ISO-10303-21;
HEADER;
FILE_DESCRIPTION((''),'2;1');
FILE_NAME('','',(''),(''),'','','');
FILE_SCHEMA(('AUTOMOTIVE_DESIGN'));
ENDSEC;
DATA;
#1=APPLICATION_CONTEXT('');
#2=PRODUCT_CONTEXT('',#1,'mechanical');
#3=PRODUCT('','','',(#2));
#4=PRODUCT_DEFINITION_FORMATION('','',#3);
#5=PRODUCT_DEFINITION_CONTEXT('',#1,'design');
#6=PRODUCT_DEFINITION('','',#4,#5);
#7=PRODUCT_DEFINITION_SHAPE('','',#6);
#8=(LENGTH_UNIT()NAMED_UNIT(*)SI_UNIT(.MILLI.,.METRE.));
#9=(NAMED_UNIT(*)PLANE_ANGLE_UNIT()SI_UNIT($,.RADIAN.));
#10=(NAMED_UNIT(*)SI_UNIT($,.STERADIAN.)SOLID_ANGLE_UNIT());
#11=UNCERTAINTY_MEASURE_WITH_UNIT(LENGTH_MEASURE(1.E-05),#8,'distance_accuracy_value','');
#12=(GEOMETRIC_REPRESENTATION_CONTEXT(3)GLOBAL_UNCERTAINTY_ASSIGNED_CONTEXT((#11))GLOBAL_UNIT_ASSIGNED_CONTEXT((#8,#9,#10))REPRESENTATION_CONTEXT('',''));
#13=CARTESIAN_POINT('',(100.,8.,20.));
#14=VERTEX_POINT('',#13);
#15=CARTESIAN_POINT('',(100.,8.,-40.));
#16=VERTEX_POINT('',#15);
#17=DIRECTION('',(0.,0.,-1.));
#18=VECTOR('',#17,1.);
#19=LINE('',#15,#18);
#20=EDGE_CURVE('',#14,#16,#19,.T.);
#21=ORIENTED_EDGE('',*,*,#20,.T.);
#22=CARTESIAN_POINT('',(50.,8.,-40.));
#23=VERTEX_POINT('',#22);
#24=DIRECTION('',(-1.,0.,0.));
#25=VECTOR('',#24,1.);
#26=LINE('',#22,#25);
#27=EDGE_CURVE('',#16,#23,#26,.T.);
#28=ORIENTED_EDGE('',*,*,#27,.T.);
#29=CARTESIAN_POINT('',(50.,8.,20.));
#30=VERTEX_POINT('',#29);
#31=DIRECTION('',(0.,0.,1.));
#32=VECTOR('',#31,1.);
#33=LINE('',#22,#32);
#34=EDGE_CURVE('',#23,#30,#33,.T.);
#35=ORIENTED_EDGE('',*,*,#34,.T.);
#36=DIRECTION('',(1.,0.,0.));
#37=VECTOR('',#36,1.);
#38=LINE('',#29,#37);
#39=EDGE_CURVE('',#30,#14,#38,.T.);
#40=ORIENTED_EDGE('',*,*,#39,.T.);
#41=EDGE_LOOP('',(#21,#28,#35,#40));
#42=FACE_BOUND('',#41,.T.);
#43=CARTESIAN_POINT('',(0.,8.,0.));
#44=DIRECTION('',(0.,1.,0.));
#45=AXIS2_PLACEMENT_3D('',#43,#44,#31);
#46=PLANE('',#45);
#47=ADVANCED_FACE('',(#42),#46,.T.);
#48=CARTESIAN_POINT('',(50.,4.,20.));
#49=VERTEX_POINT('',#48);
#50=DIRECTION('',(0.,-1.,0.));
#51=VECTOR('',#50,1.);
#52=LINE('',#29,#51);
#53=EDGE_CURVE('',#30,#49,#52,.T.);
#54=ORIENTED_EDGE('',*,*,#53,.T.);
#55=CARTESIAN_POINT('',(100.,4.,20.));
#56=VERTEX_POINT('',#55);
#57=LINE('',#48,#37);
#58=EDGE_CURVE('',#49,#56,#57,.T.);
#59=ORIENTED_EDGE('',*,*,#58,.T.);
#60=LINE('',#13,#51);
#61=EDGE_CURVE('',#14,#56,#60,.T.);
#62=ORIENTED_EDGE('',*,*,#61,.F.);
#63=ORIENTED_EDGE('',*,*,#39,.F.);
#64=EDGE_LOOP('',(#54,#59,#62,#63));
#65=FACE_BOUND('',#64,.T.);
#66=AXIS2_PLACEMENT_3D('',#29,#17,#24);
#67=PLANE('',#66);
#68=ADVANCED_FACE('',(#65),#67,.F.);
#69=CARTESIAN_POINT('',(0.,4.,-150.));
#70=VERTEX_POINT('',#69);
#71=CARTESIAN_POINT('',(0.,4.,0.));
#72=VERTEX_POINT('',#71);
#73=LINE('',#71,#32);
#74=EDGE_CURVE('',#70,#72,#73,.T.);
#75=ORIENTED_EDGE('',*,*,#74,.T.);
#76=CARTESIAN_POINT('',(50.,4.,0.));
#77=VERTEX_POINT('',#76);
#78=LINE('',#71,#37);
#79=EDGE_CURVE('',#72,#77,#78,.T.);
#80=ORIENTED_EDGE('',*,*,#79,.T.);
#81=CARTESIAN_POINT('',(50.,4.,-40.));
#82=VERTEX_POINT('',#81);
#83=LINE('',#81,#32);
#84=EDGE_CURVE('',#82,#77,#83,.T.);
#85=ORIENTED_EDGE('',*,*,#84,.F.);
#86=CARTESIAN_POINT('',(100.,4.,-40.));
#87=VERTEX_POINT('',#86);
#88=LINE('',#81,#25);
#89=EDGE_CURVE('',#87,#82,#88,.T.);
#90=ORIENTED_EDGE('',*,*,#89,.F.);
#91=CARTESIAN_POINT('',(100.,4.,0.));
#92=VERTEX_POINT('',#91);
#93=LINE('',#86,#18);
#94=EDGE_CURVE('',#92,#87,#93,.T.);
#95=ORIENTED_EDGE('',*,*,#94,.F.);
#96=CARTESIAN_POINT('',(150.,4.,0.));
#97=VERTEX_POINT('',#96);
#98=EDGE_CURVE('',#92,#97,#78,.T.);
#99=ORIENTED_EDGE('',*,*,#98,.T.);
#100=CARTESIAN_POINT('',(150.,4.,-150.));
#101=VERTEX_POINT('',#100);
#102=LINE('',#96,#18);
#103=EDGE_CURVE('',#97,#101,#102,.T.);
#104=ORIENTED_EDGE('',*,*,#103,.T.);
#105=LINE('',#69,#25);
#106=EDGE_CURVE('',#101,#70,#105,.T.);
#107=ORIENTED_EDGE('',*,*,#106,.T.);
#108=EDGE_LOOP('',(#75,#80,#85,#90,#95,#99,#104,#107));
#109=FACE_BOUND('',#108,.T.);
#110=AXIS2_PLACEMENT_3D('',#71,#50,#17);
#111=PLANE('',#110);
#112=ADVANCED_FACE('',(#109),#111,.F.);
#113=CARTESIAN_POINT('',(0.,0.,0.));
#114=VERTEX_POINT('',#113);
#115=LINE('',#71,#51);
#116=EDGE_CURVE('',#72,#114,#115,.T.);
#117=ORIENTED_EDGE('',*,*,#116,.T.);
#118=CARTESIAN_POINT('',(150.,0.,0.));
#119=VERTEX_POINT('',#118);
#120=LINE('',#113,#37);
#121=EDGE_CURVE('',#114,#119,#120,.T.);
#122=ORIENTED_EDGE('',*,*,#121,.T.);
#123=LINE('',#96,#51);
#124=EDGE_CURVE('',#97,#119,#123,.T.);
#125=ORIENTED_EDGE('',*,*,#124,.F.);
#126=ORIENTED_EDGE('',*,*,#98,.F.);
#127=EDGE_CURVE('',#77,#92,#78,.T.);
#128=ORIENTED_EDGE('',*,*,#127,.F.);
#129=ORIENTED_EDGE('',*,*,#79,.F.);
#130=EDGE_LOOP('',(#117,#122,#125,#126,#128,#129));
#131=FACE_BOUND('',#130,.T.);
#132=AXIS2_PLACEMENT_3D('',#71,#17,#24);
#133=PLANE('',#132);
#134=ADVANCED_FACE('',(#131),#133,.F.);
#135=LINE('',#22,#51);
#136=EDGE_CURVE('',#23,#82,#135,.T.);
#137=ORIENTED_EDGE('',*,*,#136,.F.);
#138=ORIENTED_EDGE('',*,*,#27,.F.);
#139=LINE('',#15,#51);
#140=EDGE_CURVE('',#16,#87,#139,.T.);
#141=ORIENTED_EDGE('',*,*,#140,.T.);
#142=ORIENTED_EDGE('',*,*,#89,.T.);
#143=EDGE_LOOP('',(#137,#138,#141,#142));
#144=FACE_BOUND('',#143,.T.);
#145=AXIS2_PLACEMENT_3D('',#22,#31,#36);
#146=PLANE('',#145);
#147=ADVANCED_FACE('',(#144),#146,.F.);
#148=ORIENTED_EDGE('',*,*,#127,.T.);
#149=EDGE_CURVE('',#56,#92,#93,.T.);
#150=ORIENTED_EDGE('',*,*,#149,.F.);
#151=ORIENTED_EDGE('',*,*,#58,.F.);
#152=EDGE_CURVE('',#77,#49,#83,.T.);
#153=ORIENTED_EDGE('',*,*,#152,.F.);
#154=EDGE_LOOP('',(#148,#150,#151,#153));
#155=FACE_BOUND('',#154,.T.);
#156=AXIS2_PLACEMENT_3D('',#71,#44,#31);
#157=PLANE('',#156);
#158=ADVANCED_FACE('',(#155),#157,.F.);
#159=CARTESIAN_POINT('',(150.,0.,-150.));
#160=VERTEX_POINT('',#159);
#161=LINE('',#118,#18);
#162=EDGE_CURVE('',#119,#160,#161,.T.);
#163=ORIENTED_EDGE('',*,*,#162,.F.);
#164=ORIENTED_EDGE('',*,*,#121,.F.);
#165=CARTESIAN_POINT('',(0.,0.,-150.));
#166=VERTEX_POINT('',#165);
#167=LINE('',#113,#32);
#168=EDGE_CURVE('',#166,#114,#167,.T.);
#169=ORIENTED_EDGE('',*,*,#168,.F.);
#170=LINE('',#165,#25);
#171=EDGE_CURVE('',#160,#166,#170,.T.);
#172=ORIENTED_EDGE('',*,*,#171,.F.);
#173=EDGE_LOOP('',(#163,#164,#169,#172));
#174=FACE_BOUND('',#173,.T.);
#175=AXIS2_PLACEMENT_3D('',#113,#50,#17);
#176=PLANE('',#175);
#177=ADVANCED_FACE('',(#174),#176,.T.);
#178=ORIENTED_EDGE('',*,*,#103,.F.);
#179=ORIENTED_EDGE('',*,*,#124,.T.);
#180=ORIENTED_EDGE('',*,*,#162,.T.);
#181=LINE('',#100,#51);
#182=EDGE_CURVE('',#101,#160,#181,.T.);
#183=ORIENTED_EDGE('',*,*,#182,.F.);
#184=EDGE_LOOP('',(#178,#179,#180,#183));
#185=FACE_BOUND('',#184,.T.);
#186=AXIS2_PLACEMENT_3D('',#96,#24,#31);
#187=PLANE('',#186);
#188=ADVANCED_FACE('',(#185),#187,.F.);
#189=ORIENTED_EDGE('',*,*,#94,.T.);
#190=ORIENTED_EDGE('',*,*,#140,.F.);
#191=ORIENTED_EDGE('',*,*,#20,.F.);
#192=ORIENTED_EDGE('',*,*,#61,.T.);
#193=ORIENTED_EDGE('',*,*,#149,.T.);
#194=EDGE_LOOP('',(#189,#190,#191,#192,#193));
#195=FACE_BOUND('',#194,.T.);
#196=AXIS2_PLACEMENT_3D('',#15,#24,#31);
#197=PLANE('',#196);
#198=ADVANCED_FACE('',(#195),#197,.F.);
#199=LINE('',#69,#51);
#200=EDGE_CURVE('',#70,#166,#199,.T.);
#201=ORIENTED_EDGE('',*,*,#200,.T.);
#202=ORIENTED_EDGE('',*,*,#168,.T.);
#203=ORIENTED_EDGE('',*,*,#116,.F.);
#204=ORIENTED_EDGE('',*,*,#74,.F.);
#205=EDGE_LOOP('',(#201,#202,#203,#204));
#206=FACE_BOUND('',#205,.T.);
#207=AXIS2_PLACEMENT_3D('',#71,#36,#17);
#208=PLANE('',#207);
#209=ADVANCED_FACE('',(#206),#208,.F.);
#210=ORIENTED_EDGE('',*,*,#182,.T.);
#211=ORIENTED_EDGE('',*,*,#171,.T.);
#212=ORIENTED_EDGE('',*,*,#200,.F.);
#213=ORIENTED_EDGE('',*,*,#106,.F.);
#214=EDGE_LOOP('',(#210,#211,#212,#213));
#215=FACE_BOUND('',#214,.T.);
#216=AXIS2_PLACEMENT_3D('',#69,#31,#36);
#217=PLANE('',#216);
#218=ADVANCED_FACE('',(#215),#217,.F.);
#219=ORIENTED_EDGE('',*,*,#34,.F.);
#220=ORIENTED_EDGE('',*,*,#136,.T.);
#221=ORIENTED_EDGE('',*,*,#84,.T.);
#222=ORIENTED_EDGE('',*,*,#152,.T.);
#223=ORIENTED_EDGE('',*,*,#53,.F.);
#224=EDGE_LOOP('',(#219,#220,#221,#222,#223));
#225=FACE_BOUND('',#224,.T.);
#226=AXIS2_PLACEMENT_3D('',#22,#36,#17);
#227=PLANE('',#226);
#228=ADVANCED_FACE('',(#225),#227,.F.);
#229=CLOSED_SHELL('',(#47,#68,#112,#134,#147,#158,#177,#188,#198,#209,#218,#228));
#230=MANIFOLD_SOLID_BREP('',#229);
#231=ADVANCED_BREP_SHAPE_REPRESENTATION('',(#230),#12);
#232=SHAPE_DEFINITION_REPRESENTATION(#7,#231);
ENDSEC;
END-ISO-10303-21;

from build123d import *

# Parameters (mm, degrees)
SKETCH1_W           = 150
SKETCH1_H           = 150
BOSS_EXTRUDE1_DEPTH = 4
SKETCH2_W           = 50
SKETCH2_H           = 60
BOSS_EXTRUDE2_DEPTH = 4


with BuildPart() as part:
    # Sketch1 → Boss-Extrude1 (new body)
    with BuildSketch(Plane(origin=(0, 0, 0), x_dir=(1, 0, 0), z_dir=(0, 1, 0))):
        with Locations((75, 75)):
            Rectangle(SKETCH1_W, SKETCH1_H)
    extrude(amount=BOSS_EXTRUDE1_DEPTH)

    # Sketch2 → Boss-Extrude2 (add)
    with BuildSketch(Plane(origin=(0, 4, 0), x_dir=(1, 0, 0), z_dir=(0, 1, 0))):
        with Locations((75, 10)):
            Rectangle(SKETCH2_W, SKETCH2_H)
    extrude(amount=BOSS_EXTRUDE2_DEPTH)


solid = part.part
